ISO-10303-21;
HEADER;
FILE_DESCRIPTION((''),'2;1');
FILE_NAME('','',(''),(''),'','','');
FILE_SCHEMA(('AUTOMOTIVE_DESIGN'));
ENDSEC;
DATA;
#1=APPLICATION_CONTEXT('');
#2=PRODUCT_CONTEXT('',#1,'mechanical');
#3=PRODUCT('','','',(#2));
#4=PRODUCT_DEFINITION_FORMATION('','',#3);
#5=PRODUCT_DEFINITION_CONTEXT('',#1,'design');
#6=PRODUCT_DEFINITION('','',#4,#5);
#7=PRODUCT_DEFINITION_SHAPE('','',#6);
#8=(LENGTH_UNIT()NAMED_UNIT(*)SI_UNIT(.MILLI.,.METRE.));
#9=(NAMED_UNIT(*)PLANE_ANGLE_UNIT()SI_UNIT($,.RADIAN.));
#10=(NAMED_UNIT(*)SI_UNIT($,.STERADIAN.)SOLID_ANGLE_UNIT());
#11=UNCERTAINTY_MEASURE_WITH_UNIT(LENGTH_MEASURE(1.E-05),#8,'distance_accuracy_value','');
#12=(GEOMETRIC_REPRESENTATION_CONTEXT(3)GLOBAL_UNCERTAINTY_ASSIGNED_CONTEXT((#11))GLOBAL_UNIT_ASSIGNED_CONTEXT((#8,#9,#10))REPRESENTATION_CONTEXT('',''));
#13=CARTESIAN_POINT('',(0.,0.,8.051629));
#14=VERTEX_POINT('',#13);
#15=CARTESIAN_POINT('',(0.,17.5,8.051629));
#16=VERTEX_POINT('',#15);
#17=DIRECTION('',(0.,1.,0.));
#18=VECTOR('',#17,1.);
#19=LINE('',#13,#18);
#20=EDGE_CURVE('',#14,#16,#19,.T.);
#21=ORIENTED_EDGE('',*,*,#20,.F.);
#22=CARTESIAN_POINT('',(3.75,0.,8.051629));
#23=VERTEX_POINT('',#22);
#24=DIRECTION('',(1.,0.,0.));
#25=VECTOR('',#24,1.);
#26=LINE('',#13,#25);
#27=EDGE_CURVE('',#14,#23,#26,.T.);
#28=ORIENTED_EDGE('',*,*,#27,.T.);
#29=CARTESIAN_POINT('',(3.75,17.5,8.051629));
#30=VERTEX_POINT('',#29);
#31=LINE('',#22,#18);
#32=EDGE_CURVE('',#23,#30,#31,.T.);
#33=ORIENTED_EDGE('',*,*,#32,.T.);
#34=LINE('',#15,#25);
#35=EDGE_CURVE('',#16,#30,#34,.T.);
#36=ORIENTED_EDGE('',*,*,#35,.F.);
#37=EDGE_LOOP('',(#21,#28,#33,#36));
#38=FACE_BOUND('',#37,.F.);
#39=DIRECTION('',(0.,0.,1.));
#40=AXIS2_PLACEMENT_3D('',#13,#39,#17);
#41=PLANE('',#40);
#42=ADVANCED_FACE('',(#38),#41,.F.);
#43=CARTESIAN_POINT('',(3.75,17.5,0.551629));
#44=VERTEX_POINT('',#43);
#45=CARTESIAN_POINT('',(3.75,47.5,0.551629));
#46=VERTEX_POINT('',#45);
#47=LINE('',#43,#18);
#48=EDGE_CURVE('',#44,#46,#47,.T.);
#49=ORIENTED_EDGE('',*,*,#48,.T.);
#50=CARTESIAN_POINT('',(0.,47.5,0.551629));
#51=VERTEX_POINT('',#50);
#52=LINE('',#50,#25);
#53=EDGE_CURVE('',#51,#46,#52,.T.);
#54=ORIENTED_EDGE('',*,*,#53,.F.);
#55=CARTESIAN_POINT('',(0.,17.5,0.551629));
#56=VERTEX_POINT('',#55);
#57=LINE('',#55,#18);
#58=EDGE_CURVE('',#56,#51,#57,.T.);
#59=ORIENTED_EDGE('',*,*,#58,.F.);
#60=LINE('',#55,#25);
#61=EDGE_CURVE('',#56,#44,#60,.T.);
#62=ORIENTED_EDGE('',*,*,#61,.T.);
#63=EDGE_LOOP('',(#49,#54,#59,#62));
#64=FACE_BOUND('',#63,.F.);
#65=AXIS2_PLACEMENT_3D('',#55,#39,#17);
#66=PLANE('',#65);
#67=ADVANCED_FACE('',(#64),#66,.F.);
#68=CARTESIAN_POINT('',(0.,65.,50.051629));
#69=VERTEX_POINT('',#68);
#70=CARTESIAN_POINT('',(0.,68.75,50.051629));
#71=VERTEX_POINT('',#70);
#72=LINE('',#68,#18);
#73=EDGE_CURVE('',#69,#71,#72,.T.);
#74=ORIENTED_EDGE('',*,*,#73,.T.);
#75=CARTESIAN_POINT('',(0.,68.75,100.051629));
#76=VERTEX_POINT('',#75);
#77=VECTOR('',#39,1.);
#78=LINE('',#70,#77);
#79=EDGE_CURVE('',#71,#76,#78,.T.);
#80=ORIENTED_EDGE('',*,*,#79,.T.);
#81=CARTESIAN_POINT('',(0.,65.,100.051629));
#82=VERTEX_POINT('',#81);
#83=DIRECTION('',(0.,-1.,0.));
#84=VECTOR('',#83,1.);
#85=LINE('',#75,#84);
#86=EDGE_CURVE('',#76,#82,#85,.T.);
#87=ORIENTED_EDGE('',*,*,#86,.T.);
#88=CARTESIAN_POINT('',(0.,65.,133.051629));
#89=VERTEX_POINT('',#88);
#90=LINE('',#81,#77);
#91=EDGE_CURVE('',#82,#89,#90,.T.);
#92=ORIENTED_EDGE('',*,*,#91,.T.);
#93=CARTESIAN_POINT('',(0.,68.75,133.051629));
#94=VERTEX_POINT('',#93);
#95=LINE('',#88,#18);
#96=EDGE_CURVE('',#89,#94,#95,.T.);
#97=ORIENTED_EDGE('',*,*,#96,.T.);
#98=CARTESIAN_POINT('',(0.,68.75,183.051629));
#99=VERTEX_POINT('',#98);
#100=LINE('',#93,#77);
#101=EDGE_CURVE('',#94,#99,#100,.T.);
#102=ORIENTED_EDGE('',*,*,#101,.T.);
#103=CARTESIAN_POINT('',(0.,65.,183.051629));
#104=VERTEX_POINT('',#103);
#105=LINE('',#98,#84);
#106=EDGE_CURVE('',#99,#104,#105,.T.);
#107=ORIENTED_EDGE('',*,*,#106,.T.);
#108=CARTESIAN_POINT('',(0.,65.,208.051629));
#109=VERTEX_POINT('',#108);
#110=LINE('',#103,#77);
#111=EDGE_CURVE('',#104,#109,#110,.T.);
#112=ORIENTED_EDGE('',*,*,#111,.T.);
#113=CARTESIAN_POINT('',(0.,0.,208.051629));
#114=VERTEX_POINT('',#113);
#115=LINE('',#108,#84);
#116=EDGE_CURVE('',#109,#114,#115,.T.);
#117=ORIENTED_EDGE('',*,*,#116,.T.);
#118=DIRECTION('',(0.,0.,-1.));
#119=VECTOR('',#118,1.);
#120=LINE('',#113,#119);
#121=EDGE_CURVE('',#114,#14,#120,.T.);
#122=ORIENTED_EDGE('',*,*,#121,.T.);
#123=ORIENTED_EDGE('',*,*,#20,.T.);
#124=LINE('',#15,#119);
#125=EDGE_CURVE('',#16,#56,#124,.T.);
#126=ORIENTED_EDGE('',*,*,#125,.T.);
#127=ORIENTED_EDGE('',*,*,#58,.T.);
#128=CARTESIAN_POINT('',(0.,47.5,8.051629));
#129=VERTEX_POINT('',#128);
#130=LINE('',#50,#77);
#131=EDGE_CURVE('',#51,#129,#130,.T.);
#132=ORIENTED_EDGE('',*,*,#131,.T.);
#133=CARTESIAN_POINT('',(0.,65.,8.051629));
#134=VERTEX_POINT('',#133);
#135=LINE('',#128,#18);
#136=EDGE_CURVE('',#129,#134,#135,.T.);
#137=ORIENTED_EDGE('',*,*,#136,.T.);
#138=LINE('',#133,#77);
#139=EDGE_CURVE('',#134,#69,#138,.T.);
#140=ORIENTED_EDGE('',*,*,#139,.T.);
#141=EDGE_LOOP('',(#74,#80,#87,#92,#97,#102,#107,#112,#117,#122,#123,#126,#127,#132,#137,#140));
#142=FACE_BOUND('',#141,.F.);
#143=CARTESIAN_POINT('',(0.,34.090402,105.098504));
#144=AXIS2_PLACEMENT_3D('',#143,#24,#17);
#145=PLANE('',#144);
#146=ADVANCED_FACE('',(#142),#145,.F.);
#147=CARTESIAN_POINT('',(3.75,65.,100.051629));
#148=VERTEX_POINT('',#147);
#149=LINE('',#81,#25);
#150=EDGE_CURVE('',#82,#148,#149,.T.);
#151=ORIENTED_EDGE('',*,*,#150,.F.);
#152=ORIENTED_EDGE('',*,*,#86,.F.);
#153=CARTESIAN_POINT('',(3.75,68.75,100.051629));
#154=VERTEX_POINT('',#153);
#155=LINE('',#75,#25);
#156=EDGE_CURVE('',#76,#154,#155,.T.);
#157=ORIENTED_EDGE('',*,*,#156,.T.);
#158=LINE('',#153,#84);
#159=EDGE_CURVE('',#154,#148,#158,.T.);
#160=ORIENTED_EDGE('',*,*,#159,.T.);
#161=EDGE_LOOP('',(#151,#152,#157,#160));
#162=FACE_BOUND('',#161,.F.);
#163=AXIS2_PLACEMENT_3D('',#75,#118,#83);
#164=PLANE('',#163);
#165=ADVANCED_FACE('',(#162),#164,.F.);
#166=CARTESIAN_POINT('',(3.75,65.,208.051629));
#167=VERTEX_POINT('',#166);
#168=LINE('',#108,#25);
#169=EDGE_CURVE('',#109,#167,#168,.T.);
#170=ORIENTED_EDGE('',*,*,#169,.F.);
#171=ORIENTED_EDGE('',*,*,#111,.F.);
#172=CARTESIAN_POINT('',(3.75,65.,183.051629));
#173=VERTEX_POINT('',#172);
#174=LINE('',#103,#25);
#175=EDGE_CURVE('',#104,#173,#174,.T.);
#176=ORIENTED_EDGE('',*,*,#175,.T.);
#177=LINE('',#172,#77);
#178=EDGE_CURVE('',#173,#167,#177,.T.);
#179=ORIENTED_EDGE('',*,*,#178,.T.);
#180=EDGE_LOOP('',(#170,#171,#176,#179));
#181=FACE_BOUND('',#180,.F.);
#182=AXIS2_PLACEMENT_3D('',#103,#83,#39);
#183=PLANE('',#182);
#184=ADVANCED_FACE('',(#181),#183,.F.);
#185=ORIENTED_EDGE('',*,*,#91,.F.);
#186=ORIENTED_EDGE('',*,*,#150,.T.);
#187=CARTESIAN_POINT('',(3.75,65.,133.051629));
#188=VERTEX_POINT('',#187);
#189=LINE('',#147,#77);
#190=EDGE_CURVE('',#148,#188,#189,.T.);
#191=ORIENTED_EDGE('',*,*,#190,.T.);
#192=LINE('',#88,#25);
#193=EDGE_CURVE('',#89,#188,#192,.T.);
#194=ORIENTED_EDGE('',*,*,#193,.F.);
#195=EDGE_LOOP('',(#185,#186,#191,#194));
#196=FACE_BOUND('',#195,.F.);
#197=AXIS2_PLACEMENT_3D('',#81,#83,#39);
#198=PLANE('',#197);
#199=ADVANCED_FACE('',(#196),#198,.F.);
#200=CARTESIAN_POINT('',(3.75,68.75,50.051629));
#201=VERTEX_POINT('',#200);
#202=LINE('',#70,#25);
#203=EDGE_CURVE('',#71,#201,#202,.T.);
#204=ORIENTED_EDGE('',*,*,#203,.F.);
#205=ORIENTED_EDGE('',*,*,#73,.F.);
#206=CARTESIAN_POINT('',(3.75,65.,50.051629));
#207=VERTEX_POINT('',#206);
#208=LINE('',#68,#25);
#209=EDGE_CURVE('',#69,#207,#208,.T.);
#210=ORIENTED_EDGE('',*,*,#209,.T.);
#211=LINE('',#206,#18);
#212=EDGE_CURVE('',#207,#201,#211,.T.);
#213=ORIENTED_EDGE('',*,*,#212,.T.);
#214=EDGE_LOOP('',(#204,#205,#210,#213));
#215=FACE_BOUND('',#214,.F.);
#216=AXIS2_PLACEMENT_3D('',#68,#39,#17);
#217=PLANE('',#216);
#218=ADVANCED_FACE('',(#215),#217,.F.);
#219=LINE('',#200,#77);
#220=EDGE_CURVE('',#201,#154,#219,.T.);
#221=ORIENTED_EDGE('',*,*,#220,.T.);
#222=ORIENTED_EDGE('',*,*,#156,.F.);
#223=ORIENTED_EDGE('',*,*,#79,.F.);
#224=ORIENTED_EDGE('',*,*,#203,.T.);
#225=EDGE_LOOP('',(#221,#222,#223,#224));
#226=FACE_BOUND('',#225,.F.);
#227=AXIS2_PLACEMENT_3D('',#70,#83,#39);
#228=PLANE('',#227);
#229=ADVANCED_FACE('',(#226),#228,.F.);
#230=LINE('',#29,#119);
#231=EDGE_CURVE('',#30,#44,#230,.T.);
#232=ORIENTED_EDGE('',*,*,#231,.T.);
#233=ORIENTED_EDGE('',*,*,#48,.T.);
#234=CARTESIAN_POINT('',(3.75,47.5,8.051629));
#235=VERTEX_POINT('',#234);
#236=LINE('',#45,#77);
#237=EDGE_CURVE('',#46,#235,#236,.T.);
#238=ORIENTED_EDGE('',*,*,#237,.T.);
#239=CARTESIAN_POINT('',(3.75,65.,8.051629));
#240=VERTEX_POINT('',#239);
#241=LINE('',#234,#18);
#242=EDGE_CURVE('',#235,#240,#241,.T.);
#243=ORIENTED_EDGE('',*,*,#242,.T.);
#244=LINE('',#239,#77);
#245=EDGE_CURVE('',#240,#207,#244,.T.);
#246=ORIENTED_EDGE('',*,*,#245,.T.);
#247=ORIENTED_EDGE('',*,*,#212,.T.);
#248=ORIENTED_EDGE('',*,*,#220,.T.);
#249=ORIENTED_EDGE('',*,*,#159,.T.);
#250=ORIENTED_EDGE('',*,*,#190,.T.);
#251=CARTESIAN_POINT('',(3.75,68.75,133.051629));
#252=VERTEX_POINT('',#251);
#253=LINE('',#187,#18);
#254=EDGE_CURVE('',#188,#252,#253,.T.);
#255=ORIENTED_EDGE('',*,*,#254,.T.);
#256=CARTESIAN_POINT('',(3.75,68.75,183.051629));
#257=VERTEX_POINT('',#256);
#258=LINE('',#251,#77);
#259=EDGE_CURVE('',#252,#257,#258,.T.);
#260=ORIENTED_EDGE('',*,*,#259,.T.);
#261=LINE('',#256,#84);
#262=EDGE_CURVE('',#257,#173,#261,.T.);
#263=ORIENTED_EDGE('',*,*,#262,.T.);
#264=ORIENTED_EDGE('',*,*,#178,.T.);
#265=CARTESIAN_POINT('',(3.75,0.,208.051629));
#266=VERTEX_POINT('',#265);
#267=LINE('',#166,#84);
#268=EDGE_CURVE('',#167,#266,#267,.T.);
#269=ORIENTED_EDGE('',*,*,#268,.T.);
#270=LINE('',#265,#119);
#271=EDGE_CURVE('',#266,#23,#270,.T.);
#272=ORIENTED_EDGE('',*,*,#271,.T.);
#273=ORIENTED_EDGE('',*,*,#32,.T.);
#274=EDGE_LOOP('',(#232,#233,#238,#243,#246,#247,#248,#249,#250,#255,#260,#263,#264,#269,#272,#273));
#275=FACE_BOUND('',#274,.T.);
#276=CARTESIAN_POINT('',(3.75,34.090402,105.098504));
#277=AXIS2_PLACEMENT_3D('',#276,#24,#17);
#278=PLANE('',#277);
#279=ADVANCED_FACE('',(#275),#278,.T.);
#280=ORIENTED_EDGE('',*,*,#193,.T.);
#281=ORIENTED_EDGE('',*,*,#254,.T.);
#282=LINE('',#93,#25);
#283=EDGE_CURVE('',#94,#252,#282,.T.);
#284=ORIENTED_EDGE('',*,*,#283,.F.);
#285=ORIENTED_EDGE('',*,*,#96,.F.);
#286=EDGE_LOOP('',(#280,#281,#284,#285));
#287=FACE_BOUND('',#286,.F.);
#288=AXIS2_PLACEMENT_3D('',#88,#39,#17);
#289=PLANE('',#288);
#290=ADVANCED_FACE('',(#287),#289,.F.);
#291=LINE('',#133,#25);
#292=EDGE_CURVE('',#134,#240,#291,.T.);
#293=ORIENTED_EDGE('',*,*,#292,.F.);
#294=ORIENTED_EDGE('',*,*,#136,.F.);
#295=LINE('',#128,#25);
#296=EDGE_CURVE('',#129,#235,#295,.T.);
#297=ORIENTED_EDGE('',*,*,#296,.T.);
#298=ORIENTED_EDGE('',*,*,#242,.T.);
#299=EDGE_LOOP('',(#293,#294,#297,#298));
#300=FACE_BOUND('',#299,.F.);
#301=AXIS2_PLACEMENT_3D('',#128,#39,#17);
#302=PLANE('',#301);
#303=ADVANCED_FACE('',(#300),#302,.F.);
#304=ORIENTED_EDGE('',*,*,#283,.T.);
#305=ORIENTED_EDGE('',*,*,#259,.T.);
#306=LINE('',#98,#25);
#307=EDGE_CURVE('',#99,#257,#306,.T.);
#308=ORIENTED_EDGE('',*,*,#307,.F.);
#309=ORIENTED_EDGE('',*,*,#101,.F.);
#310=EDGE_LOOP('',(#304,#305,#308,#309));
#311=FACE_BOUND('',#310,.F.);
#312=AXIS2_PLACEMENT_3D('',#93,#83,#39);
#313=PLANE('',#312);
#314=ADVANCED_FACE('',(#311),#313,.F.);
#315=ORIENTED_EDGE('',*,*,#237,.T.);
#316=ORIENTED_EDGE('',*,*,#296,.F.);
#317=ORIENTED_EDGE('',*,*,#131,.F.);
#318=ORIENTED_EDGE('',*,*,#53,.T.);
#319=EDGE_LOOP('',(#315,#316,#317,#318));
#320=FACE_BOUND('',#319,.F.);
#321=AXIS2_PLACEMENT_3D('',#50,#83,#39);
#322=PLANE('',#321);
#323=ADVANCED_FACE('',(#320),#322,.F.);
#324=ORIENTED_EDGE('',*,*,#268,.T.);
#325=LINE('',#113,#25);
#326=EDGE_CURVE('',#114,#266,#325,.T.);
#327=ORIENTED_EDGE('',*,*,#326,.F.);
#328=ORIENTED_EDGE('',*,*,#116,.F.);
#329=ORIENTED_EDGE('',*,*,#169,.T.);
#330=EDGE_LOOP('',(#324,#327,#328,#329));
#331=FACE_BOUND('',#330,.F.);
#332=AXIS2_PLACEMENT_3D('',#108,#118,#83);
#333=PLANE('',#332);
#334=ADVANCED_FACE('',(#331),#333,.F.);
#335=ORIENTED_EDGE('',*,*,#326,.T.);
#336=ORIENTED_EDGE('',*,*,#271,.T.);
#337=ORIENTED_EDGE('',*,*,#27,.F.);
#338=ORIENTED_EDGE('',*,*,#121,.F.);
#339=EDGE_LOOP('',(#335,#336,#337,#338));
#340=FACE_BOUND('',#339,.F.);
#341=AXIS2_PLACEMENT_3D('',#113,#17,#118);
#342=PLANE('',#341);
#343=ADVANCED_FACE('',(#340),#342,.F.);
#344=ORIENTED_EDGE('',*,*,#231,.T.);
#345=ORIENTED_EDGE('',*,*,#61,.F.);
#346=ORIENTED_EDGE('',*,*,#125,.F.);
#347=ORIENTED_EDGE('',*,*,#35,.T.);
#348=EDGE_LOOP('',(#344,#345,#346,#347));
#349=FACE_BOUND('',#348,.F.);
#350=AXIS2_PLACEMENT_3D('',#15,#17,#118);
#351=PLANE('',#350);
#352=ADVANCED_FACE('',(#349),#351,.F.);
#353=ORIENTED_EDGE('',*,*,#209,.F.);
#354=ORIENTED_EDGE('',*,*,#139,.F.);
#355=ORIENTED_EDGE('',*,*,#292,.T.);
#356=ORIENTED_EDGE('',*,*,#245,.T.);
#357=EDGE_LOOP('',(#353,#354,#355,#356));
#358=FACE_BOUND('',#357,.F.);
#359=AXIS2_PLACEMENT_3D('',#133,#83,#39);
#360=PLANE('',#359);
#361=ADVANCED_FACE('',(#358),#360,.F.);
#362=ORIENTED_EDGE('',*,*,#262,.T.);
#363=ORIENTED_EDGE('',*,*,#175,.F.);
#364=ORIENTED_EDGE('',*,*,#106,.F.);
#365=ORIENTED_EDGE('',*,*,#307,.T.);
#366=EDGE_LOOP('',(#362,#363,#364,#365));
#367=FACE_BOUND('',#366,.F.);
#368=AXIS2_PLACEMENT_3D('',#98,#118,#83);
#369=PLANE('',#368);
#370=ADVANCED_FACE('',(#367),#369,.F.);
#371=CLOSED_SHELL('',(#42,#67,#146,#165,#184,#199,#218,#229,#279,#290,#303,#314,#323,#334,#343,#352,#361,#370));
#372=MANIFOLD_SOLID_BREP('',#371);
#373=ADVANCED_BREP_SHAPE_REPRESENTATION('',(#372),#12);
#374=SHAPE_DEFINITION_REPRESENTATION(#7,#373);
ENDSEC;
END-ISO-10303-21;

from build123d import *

# Parameters (mm, degrees)
F1_DEPTH = 3.75


with BuildPart() as f1:
    # F0 (on Right) → F1 (new body)
    with BuildSketch(Plane.YZ):
        Polygon((0, 208.051629), (0, 8.051629), (17.5, 8.051629), (17.5, 0.551629), (47.5, 0.551629), (47.5, 8.051629), (65, 8.051629), (65, 50.051629), (68.75, 50.051629), (68.75, 100.051629), (65, 100.051629), (65, 133.051629), (68.75, 133.051629), (68.75, 183.051629), (65, 183.051629), (65, 208.051629), align=None)
    extrude(amount=F1_DEPTH)


solid = f1.part
